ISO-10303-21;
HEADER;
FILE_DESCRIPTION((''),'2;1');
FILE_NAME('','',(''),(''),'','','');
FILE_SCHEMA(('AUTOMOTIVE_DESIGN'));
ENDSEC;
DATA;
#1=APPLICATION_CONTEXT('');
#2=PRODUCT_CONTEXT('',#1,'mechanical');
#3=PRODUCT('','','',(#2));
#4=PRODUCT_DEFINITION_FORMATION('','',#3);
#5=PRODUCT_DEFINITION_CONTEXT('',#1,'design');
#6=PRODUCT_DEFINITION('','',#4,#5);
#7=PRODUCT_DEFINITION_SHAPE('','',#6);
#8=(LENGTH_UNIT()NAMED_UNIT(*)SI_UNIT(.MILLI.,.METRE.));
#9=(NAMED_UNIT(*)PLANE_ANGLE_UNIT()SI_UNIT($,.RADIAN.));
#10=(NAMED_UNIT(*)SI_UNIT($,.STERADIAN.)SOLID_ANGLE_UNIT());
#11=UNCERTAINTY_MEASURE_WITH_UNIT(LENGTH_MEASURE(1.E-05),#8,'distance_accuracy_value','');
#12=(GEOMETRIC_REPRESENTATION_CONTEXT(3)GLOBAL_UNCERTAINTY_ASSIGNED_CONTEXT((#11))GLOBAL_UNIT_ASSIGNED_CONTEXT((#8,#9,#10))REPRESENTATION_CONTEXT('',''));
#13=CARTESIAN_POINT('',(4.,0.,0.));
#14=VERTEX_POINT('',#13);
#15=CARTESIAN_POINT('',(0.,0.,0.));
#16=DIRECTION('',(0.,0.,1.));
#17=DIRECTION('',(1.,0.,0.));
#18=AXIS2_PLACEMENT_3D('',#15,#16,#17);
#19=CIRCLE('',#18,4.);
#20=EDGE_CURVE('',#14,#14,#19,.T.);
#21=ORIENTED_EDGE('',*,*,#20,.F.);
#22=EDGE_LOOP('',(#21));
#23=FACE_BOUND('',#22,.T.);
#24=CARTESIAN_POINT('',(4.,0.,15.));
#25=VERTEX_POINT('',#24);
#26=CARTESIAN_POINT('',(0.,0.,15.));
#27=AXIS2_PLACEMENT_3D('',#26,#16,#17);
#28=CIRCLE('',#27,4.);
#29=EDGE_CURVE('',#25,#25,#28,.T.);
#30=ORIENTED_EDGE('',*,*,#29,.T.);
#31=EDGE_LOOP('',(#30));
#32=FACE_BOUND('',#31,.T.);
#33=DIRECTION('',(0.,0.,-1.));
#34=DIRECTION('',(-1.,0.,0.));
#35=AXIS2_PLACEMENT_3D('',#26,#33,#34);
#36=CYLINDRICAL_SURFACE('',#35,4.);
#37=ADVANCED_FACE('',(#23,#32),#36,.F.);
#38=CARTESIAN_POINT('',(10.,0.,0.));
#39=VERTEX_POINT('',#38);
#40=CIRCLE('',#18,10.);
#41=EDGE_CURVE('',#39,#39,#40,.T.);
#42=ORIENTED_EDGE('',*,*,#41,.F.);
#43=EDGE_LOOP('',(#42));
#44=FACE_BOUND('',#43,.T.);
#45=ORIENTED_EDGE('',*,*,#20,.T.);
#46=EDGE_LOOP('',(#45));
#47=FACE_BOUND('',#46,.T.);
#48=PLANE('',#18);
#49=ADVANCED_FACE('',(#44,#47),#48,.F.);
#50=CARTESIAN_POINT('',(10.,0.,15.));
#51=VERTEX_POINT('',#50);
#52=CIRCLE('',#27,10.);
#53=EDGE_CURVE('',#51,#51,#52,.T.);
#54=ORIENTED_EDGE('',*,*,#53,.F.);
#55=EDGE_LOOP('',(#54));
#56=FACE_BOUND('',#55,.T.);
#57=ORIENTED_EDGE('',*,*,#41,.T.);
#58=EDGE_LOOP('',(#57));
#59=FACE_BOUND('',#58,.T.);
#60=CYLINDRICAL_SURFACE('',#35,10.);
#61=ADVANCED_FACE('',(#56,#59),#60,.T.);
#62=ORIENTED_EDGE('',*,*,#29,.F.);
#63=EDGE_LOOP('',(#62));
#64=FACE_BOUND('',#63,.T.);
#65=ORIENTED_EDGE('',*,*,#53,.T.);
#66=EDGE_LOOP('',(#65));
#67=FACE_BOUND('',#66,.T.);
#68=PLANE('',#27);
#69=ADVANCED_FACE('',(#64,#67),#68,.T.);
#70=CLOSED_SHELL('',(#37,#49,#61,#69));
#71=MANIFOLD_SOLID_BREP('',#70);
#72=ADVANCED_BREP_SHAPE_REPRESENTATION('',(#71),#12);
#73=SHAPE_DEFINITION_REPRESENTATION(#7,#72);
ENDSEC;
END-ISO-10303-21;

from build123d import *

# Parameters (mm, degrees)
SKETCH_1_R      = 10
SKETCH_1_R_2    = 4
EXTRUDE_1_DEPTH = 15


with BuildPart() as part:
    # 草图1 → 凸台-拉伸1 (new body)
    with BuildSketch(Plane.XY):
        Circle(SKETCH_1_R)
        Circle(SKETCH_1_R_2, mode=Mode.SUBTRACT)
    extrude(amount=EXTRUDE_1_DEPTH)


solid = part.part
